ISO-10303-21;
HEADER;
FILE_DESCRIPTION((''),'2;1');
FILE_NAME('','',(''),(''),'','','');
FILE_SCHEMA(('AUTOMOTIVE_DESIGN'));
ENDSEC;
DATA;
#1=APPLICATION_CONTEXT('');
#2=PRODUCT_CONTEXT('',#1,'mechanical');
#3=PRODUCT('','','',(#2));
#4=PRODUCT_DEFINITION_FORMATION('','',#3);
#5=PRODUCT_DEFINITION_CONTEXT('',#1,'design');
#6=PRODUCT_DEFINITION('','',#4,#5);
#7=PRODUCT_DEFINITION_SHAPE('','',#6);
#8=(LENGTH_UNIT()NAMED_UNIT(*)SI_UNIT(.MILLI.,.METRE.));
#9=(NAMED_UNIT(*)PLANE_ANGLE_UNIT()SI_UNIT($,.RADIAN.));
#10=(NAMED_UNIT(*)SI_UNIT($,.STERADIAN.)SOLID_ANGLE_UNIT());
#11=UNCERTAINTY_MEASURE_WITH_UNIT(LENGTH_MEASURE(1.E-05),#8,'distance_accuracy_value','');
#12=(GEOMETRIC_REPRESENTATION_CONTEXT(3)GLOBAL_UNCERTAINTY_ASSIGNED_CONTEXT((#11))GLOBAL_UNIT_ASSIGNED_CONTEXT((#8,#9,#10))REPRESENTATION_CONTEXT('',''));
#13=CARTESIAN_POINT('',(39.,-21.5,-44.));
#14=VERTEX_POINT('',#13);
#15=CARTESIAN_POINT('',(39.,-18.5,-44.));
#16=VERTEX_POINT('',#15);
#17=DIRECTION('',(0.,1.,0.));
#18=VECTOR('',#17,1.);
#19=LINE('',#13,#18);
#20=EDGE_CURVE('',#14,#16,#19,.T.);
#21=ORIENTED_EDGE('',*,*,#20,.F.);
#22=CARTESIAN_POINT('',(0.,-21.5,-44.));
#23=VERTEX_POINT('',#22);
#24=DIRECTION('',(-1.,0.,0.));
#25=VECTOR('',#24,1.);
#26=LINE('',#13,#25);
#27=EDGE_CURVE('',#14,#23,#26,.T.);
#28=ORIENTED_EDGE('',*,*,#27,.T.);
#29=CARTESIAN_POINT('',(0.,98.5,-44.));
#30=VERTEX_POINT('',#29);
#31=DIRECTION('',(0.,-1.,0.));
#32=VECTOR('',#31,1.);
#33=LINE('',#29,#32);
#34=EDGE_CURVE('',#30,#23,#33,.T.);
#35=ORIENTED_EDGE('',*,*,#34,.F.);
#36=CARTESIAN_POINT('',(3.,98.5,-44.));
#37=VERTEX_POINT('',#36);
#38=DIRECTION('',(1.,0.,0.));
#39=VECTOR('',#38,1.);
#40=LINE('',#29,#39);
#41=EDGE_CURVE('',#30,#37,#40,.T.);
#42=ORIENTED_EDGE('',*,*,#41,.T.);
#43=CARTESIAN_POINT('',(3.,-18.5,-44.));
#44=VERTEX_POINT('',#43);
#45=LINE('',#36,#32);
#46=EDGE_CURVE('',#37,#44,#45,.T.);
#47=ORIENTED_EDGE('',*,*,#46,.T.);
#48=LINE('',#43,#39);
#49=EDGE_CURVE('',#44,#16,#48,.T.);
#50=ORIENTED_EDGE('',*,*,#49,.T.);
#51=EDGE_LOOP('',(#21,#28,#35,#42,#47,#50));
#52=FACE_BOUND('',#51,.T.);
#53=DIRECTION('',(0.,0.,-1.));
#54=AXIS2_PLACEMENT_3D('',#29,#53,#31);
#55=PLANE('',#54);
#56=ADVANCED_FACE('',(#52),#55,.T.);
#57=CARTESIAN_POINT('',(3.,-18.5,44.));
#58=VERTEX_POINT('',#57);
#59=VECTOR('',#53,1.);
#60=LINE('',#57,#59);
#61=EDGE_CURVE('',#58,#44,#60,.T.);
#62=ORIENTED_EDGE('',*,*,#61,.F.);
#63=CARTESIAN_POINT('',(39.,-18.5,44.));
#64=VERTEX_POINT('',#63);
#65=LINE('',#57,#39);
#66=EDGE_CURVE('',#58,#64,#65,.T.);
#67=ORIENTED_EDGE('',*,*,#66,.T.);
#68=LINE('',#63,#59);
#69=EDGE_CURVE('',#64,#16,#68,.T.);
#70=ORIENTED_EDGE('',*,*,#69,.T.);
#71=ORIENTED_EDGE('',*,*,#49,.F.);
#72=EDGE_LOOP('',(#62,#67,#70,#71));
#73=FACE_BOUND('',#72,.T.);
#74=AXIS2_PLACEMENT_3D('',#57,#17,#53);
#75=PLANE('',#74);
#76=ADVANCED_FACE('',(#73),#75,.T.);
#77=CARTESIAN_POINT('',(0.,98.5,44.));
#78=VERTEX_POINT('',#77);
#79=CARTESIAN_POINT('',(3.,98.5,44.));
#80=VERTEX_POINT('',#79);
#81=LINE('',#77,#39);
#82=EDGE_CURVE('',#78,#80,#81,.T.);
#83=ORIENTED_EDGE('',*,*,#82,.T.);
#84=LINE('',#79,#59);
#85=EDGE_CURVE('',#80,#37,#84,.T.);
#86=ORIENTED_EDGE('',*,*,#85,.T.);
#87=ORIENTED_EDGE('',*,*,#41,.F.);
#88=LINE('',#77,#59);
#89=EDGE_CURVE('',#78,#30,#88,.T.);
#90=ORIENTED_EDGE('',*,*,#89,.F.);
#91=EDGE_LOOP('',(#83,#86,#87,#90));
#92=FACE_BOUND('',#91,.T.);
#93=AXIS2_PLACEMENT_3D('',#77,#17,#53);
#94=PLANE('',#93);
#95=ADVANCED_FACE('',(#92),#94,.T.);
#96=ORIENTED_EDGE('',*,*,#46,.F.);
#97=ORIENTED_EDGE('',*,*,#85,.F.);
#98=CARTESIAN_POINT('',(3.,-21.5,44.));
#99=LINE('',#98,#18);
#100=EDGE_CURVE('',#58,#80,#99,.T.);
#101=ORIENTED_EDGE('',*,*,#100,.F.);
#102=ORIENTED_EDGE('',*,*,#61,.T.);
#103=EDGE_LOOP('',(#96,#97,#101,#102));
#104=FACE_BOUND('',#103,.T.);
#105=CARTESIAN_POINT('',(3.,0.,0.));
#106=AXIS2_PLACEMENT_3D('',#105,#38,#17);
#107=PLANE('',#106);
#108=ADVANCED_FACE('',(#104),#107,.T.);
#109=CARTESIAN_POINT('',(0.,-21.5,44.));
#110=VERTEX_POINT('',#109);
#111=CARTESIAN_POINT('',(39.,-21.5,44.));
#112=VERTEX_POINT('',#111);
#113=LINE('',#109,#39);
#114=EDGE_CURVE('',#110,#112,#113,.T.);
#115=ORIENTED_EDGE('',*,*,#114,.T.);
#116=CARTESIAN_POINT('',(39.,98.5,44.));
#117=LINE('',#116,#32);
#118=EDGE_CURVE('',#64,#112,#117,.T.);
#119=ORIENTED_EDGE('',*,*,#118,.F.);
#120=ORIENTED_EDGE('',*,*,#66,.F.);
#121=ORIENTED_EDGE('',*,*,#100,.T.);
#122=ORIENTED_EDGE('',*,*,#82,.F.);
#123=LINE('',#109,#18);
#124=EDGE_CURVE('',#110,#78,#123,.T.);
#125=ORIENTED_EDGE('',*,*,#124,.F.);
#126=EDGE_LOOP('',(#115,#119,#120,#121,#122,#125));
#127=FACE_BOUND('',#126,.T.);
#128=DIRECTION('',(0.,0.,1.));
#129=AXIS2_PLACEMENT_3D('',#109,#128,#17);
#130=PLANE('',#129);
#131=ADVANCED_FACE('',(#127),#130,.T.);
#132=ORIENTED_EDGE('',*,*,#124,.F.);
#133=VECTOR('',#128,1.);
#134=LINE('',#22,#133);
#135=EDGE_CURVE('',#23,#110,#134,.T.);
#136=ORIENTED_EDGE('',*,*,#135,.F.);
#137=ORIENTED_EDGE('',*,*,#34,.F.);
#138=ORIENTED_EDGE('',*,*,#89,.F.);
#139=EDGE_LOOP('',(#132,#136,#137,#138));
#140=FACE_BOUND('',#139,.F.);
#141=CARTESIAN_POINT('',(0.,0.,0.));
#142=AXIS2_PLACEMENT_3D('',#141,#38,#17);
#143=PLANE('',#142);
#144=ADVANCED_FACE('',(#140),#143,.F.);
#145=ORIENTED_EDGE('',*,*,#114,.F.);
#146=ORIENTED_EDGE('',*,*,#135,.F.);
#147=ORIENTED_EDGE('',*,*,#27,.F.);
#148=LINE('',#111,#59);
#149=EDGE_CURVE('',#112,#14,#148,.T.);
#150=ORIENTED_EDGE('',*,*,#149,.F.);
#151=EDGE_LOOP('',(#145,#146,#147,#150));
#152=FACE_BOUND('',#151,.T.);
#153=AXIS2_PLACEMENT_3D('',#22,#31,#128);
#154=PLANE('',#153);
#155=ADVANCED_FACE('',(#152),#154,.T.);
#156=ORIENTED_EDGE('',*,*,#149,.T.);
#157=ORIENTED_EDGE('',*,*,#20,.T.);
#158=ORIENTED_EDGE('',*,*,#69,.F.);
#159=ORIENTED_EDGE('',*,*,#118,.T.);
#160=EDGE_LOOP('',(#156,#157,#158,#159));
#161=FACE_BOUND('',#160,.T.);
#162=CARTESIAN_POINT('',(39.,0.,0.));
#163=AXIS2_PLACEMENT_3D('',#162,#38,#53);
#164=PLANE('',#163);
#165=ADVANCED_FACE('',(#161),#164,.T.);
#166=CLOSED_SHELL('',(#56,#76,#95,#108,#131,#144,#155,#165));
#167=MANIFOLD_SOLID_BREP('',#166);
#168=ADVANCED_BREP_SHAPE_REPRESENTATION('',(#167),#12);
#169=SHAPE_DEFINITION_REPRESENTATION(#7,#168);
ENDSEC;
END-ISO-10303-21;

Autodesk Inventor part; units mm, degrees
ref_plane "YZ Plane" through (0, 0, 0) normal (1, 0, 0) x (0, 1, 0)
ref_plane "XZ Plane" through (0, 0, 0) normal (0, 1, 0) x (-1, 0, 0)
ref_plane "XY Plane" through (0, 0, 0) normal (0, 0, 1) x (1, 0, 0)
sketch "Sketch1" plane through (0, 0, 0) normal (1, 0, 0) x (0, 1, 0)
  line L0 (98.5, 44) -> (98.5, -44)
  line L1 (98.5, -44) -> (-21.5, -44)
  line L2 (-21.5, -44) -> (-21.5, 44)
  line L3 (-21.5, 44) -> (98.5, 44)
  line L4 (98.5, 44) -> (-21.5, -44) construction
  line L5 (98.5, -44) -> (-21.5, 44) construction
  point P0 (38.5, 0)
  dimension "d0" = 88
  dimension "d1" = 120
extrude "Extrusion1" add sketch "Sketch1" along normal blind 3
sketch "Sketch2" plane through (3, 0, 0) normal (1, 0, 0) x (0, 0, -1)
  line L0 (-44, -21.5) -> (44, -21.5) projected
  line L1 (44, -21.5) -> (44, 98.5) projected
  line L2 (44, 98.5) -> (-44, 98.5) projected
  line L3 (-44, 98.5) -> (-44, -21.5) projected
  line L4 (44, -21.5) -> (-44, -21.5)
  line L5 (-44, -21.5) -> (-44, -18.5)
  line L6 (-44, -18.5) -> (44, -18.5)
  line L7 (44, -18.5) -> (44, -21.5)
  dimension "d4" = 3
extrude "Extrusion2" add sketch "Sketch2" along normal blind 36 contours L3 L6 L1 L0
properties part number "inside walls front"
